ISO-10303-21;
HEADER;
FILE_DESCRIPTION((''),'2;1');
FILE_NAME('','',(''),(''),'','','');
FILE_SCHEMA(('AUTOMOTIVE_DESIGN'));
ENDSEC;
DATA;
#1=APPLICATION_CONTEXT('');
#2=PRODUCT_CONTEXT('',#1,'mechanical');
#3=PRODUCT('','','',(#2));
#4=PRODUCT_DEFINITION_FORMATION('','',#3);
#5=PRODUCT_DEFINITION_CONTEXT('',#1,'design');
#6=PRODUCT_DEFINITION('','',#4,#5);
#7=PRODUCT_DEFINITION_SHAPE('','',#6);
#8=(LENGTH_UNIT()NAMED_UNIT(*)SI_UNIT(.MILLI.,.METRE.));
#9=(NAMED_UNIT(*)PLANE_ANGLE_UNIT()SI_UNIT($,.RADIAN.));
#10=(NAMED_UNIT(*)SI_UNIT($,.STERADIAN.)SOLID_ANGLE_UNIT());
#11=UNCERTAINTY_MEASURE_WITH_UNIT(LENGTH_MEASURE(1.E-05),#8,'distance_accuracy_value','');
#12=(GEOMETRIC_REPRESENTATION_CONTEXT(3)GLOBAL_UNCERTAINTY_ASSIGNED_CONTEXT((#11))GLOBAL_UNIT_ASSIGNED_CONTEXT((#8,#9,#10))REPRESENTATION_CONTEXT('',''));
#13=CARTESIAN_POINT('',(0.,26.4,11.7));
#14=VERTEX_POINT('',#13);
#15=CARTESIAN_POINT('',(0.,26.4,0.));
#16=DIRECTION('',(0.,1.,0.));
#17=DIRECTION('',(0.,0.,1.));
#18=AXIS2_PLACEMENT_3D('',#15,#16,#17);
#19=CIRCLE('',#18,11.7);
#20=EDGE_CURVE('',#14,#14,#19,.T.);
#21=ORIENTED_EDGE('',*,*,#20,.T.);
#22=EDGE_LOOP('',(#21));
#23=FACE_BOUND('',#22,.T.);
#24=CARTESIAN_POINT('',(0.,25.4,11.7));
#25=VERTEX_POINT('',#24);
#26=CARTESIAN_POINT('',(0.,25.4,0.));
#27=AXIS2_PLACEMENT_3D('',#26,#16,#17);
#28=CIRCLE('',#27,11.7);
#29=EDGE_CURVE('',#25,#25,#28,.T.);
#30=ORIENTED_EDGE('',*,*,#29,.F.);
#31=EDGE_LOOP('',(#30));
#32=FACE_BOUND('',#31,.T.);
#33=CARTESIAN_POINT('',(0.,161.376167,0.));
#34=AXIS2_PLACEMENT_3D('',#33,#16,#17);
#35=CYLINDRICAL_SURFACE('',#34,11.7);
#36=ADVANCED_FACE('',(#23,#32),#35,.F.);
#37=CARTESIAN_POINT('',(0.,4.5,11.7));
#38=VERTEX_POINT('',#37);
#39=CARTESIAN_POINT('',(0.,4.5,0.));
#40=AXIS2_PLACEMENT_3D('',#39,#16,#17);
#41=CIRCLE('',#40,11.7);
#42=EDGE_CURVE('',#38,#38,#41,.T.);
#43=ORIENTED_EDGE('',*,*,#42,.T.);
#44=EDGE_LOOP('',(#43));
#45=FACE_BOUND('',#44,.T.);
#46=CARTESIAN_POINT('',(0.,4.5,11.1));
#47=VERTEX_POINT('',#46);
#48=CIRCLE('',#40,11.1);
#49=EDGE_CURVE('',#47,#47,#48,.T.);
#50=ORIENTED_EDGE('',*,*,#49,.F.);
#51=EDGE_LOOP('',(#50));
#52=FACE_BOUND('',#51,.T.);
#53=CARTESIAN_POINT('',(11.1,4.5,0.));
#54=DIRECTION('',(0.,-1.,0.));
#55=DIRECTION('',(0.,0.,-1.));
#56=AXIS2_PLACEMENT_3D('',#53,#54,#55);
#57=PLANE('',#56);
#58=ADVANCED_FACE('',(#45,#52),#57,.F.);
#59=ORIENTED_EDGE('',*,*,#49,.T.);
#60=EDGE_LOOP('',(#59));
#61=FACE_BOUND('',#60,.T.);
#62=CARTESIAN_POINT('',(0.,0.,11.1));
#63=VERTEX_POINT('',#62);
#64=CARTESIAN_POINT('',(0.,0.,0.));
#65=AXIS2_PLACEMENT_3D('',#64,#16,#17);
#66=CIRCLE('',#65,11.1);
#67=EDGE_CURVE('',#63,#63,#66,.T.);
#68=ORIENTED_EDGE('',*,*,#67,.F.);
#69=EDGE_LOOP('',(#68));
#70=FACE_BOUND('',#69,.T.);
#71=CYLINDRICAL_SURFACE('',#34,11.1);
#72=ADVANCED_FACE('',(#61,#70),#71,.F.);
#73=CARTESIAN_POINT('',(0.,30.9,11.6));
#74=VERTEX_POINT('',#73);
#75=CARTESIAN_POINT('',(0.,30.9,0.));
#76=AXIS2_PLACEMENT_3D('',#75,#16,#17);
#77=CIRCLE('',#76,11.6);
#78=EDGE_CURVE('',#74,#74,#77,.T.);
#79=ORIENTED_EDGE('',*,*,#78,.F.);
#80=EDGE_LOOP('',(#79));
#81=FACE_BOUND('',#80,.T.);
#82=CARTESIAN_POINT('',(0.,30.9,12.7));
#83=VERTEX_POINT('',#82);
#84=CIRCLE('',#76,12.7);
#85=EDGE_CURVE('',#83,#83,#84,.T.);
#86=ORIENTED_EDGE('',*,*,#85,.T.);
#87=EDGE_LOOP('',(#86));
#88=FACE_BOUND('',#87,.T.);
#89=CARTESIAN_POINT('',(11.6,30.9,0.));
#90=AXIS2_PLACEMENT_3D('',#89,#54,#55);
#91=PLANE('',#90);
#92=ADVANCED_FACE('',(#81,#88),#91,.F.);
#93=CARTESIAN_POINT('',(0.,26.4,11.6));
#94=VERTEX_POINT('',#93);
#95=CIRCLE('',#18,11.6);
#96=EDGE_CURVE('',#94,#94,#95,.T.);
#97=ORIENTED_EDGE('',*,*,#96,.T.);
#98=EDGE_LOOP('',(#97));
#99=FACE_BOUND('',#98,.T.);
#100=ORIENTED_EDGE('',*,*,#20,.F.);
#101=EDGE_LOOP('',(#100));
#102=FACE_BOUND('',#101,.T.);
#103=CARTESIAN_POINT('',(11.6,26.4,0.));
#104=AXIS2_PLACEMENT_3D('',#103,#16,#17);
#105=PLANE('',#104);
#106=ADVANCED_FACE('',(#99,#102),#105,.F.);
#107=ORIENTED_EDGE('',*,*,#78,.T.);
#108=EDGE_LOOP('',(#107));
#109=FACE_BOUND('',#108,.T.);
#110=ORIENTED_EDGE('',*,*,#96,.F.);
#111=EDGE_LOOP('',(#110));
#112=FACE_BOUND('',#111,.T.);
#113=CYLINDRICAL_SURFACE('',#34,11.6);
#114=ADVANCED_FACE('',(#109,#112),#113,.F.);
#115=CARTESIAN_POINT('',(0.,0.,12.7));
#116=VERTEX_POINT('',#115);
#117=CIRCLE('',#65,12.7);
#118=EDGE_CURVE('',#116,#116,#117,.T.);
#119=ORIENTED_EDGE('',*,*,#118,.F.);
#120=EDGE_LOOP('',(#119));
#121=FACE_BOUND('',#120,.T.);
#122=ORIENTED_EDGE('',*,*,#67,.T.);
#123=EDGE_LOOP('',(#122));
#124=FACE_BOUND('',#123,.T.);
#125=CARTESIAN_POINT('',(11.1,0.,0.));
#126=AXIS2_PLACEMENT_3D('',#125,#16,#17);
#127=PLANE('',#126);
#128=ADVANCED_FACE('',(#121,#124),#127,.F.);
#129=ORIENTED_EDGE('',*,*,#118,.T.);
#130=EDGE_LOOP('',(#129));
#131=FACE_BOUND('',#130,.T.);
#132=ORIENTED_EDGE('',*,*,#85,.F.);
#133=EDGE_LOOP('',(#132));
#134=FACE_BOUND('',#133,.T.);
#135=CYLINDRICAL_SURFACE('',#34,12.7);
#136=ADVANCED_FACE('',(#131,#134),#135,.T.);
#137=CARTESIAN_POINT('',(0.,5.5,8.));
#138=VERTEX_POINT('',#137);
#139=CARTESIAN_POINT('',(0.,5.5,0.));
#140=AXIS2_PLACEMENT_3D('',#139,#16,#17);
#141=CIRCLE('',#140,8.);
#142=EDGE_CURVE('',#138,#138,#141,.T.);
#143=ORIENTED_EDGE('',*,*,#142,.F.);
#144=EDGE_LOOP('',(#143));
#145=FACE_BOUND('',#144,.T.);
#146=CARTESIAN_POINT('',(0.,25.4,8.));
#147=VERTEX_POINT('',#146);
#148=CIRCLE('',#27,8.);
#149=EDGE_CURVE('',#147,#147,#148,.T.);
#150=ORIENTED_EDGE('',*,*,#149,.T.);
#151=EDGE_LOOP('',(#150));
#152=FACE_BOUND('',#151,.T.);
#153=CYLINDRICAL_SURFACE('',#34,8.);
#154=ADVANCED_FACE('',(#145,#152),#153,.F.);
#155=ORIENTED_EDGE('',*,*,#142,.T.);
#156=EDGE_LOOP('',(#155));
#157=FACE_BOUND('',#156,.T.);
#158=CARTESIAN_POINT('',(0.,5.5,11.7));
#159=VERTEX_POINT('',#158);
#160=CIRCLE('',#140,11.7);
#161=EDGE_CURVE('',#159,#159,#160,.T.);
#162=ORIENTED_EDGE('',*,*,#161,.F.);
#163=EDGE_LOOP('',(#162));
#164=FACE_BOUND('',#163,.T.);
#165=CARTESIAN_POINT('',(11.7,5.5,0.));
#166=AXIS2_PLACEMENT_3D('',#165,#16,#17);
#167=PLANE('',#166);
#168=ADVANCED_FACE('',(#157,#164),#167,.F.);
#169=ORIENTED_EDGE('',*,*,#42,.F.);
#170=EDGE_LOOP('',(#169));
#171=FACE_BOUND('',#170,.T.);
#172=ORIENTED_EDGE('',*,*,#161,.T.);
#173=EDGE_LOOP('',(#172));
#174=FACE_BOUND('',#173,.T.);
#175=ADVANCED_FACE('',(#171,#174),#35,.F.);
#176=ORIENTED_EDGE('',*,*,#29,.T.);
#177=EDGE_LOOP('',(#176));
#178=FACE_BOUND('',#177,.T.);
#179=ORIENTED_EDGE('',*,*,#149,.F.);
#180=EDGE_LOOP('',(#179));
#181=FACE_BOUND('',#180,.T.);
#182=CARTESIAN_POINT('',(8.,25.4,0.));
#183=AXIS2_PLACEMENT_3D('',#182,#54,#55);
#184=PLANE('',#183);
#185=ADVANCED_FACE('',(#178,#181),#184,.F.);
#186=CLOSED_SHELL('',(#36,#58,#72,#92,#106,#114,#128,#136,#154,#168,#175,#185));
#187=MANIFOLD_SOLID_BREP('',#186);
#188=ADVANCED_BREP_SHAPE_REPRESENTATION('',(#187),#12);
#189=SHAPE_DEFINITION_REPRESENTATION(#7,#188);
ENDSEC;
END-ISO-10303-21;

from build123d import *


with BuildPart() as part:
    # 草图1 → 旋转1 (revolve)
    with BuildSketch(Plane.XY, mode=Mode.PRIVATE) as revolve_1_sk:
        Polygon((11.1, 0), (11.1, 4.5), (11.7, 4.5), (11.7, 5.5), (8, 5.5), (8, 25.4), (11.7, 25.4), (11.7, 26.4), (11.6, 26.4), (11.6, 30.9), (12.7, 30.9), (12.7, 0), align=None)
    revolve(revolve_1_sk.sketch.rotate(Axis((0, 161.376166943, 0), (0, -1, 0)), 90), axis=Axis((0, 161.376166943, 0), (0, -1, 0)))  # turned: the seam where the file's is


solid = part.part
